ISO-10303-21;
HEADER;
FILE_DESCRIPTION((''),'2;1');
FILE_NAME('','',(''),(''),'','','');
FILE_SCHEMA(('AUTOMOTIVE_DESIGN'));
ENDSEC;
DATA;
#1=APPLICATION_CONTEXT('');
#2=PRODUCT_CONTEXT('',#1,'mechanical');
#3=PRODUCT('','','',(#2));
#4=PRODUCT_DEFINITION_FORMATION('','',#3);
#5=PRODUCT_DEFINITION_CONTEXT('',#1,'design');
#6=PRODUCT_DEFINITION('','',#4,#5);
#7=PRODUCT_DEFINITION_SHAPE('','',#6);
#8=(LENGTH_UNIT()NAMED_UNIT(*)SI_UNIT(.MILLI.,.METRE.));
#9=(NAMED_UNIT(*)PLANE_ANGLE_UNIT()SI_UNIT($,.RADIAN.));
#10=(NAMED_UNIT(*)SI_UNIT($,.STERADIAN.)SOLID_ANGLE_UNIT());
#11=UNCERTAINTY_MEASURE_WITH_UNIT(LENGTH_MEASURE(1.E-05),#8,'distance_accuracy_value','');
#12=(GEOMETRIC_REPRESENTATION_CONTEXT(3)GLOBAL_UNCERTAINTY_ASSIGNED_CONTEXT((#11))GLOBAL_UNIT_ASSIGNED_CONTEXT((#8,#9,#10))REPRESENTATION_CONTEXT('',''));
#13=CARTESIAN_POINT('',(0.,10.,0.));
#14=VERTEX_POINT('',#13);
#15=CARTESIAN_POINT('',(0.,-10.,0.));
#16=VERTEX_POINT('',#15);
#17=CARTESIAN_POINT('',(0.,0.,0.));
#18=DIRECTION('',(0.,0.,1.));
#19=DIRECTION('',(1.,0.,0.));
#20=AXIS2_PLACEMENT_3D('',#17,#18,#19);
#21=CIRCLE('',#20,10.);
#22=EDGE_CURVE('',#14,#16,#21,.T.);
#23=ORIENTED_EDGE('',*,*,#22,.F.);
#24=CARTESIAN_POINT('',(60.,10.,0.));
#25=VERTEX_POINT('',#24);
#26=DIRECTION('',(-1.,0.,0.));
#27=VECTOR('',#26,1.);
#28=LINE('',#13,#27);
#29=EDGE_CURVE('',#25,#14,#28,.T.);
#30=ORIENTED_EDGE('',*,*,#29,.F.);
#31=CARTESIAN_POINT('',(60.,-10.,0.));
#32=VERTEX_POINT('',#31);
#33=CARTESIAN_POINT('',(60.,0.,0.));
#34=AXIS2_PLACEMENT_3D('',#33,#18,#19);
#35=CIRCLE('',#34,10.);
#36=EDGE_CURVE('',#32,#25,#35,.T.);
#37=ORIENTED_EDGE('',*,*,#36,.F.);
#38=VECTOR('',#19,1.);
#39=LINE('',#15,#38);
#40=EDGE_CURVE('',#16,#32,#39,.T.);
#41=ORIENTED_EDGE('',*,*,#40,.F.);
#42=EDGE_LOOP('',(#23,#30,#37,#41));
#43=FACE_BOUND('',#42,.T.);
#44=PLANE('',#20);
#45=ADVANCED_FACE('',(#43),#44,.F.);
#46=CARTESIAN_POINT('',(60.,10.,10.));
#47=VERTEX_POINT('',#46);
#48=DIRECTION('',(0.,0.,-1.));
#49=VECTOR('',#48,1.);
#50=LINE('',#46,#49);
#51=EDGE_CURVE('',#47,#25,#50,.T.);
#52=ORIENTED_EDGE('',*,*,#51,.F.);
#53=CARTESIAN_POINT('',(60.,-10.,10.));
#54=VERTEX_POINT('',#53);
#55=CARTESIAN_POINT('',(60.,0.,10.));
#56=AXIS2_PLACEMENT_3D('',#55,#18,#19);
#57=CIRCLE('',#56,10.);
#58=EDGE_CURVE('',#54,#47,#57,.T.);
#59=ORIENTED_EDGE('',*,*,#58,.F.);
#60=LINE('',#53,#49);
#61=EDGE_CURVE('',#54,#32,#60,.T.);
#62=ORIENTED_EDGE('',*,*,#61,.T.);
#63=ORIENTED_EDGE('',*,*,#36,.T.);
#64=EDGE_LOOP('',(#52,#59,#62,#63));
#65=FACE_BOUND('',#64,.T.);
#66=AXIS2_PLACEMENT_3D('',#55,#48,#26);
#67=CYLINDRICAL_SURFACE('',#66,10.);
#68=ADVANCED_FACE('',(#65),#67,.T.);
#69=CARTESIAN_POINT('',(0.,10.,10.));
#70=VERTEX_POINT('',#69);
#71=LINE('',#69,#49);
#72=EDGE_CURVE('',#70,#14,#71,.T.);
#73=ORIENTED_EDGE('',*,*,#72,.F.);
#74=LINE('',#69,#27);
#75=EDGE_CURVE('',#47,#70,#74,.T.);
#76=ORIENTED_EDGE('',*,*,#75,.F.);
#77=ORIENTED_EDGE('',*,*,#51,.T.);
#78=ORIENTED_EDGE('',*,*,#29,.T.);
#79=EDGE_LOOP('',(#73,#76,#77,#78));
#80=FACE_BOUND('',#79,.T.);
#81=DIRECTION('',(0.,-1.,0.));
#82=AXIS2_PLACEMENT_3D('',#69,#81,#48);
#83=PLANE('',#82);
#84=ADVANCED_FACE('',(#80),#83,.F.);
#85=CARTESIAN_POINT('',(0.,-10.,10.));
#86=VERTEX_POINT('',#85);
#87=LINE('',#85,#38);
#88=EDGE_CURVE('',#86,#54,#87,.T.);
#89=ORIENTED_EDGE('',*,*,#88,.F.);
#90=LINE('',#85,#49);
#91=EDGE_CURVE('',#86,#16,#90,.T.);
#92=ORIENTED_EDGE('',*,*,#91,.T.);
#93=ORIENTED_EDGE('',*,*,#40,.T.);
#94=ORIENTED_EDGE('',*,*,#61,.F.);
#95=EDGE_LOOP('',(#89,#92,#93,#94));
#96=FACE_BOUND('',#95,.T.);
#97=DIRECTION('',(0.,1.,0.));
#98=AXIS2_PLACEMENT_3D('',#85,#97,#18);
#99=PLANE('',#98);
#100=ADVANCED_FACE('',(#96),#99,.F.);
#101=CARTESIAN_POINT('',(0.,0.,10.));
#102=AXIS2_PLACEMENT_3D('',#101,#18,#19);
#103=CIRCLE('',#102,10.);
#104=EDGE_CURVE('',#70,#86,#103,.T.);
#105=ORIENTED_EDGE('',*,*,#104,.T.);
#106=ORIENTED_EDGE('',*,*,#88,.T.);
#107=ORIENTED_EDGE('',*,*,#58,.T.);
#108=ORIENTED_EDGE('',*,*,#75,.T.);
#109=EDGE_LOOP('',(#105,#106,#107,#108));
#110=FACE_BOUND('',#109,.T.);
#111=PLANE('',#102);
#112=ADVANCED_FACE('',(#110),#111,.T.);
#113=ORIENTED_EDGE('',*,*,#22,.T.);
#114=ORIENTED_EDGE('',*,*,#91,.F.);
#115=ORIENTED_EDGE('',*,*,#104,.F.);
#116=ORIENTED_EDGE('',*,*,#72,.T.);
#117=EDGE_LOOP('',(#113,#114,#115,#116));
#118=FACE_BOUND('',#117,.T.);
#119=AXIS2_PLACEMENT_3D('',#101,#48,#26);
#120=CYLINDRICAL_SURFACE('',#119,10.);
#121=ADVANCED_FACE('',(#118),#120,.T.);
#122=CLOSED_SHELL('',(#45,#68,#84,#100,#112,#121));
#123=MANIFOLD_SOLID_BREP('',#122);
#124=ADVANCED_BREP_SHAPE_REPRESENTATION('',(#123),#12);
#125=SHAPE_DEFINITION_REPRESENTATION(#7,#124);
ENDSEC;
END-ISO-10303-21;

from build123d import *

# Parameters (mm, degrees)
EXTRUDE_1_DEPTH = 10


with BuildPart() as part:
    # 草图1 → 凸台-拉伸1 (new body)
    with BuildSketch(Plane.XY):
        with BuildLine():
            Line((0, 10), (60, 10))
            ThreePointArc((60, 10), (70, 0), (60, -10))
            Line((60, -10), (0, -10))
            ThreePointArc((0, -10), (-10, 0), (0, 10))
        make_face()
    extrude(amount=EXTRUDE_1_DEPTH)


solid = part.part
